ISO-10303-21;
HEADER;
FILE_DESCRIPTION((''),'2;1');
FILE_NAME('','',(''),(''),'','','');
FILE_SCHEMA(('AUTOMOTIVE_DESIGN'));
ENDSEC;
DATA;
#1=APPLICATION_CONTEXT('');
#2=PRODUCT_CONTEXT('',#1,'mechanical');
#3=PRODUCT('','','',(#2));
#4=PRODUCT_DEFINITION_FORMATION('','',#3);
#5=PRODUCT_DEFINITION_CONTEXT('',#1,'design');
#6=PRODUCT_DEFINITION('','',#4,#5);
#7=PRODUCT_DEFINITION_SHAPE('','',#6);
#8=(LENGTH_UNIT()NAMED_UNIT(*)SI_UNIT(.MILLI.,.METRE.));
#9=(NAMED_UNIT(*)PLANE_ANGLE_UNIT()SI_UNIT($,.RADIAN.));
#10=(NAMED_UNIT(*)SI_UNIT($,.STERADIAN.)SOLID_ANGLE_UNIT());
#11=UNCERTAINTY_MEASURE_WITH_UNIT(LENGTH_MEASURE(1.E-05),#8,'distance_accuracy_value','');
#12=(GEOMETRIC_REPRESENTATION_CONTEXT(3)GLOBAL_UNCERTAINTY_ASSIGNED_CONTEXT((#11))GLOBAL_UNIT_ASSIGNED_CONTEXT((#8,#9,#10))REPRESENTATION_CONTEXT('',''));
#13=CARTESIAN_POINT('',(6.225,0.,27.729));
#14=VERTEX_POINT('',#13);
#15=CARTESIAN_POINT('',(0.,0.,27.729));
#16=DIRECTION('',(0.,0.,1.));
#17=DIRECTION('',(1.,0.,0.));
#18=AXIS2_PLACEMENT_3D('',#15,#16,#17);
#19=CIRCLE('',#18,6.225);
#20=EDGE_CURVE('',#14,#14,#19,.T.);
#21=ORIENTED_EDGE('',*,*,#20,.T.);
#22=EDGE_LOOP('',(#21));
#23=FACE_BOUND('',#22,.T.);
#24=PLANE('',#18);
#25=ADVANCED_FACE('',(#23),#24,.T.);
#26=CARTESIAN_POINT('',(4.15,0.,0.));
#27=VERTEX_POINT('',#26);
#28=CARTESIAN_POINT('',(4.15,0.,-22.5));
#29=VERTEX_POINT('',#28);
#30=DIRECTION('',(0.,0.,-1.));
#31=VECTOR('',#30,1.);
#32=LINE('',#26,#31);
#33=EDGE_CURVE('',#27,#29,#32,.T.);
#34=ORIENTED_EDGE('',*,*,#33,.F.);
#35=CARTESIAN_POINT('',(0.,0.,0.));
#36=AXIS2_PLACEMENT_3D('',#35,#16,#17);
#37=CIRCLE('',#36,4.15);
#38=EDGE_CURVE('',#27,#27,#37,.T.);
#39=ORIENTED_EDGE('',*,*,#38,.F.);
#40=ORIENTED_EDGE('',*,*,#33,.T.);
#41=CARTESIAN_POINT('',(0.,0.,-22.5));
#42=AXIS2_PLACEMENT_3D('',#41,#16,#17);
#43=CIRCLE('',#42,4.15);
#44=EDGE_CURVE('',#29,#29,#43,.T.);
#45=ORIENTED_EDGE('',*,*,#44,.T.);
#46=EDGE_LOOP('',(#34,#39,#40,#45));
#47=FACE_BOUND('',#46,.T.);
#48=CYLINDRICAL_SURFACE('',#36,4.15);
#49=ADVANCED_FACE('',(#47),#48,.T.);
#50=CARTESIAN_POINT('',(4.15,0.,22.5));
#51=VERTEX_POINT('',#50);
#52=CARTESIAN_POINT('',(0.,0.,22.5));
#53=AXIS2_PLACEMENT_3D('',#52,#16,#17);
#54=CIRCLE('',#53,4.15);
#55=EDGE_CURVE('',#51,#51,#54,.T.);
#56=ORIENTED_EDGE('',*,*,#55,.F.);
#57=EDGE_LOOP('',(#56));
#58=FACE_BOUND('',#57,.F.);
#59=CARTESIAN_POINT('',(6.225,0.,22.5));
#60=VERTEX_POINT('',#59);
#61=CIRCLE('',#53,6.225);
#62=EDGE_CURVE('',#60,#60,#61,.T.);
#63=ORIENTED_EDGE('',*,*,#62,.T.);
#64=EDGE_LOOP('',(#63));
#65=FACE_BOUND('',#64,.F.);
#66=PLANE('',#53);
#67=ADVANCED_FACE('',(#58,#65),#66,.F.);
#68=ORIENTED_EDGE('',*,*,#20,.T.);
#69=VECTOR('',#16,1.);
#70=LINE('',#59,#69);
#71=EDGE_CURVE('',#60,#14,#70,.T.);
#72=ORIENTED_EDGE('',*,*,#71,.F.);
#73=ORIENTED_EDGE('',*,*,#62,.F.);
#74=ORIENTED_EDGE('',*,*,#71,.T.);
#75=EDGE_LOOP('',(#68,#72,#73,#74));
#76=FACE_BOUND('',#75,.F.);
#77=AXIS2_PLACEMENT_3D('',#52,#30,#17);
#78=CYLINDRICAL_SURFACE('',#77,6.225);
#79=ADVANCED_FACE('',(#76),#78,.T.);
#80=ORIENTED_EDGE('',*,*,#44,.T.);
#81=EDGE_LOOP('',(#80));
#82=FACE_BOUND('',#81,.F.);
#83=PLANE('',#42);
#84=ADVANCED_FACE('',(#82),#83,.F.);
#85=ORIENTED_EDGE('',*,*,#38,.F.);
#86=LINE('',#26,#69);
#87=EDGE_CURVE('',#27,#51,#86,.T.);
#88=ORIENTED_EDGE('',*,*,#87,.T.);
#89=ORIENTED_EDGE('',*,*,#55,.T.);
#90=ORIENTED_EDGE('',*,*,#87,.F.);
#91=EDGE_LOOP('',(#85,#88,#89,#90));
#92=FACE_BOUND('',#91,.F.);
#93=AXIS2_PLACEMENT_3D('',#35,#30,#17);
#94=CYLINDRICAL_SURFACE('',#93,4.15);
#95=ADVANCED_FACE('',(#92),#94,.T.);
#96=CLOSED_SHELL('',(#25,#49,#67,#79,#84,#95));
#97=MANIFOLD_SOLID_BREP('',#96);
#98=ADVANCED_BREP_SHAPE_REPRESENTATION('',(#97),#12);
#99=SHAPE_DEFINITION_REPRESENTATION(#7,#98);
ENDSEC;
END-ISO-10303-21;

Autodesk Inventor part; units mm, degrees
ref_plane "YZ Plane" through (0, 0, 0) normal (1, 0, 0) x (0, 1, 0)
ref_plane "XZ Plane" through (0, 0, 0) normal (0, 1, 0) x (-1, 0, 0)
ref_plane "XY Plane" through (0, 0, 0) normal (0, 0, 1) x (1, 0, 0)
sketch "Sketch1" plane through (0, 0, 0) normal (0, 0, 1) x (1, 0, 0)
  circle A0 centre (0, 0) radius 4.15
  dimension "PIN_DIA" = 8.3
extrude "Extrusion1" add sketch "Sketch1" along normal mid plane 45
sketch "Sketch2" plane through (0, 0, 22.5) normal (0, 0, 1) x (1, 0, 0)
  circle A0 centre (0, 0) radius 6.225
  dimension "PIN_HEAD_DIA" = 12.45
extrude "Extrusion2" add sketch "Sketch2" along normal blind 5.229
equation "\"PIN_HEAD_DIA\" = 1.5 * PIN_DIA"
equation "\"PIN_HEAD_H\" = 0.42 * PIN_HEAD_DIA"
properties part number "pin-1"
